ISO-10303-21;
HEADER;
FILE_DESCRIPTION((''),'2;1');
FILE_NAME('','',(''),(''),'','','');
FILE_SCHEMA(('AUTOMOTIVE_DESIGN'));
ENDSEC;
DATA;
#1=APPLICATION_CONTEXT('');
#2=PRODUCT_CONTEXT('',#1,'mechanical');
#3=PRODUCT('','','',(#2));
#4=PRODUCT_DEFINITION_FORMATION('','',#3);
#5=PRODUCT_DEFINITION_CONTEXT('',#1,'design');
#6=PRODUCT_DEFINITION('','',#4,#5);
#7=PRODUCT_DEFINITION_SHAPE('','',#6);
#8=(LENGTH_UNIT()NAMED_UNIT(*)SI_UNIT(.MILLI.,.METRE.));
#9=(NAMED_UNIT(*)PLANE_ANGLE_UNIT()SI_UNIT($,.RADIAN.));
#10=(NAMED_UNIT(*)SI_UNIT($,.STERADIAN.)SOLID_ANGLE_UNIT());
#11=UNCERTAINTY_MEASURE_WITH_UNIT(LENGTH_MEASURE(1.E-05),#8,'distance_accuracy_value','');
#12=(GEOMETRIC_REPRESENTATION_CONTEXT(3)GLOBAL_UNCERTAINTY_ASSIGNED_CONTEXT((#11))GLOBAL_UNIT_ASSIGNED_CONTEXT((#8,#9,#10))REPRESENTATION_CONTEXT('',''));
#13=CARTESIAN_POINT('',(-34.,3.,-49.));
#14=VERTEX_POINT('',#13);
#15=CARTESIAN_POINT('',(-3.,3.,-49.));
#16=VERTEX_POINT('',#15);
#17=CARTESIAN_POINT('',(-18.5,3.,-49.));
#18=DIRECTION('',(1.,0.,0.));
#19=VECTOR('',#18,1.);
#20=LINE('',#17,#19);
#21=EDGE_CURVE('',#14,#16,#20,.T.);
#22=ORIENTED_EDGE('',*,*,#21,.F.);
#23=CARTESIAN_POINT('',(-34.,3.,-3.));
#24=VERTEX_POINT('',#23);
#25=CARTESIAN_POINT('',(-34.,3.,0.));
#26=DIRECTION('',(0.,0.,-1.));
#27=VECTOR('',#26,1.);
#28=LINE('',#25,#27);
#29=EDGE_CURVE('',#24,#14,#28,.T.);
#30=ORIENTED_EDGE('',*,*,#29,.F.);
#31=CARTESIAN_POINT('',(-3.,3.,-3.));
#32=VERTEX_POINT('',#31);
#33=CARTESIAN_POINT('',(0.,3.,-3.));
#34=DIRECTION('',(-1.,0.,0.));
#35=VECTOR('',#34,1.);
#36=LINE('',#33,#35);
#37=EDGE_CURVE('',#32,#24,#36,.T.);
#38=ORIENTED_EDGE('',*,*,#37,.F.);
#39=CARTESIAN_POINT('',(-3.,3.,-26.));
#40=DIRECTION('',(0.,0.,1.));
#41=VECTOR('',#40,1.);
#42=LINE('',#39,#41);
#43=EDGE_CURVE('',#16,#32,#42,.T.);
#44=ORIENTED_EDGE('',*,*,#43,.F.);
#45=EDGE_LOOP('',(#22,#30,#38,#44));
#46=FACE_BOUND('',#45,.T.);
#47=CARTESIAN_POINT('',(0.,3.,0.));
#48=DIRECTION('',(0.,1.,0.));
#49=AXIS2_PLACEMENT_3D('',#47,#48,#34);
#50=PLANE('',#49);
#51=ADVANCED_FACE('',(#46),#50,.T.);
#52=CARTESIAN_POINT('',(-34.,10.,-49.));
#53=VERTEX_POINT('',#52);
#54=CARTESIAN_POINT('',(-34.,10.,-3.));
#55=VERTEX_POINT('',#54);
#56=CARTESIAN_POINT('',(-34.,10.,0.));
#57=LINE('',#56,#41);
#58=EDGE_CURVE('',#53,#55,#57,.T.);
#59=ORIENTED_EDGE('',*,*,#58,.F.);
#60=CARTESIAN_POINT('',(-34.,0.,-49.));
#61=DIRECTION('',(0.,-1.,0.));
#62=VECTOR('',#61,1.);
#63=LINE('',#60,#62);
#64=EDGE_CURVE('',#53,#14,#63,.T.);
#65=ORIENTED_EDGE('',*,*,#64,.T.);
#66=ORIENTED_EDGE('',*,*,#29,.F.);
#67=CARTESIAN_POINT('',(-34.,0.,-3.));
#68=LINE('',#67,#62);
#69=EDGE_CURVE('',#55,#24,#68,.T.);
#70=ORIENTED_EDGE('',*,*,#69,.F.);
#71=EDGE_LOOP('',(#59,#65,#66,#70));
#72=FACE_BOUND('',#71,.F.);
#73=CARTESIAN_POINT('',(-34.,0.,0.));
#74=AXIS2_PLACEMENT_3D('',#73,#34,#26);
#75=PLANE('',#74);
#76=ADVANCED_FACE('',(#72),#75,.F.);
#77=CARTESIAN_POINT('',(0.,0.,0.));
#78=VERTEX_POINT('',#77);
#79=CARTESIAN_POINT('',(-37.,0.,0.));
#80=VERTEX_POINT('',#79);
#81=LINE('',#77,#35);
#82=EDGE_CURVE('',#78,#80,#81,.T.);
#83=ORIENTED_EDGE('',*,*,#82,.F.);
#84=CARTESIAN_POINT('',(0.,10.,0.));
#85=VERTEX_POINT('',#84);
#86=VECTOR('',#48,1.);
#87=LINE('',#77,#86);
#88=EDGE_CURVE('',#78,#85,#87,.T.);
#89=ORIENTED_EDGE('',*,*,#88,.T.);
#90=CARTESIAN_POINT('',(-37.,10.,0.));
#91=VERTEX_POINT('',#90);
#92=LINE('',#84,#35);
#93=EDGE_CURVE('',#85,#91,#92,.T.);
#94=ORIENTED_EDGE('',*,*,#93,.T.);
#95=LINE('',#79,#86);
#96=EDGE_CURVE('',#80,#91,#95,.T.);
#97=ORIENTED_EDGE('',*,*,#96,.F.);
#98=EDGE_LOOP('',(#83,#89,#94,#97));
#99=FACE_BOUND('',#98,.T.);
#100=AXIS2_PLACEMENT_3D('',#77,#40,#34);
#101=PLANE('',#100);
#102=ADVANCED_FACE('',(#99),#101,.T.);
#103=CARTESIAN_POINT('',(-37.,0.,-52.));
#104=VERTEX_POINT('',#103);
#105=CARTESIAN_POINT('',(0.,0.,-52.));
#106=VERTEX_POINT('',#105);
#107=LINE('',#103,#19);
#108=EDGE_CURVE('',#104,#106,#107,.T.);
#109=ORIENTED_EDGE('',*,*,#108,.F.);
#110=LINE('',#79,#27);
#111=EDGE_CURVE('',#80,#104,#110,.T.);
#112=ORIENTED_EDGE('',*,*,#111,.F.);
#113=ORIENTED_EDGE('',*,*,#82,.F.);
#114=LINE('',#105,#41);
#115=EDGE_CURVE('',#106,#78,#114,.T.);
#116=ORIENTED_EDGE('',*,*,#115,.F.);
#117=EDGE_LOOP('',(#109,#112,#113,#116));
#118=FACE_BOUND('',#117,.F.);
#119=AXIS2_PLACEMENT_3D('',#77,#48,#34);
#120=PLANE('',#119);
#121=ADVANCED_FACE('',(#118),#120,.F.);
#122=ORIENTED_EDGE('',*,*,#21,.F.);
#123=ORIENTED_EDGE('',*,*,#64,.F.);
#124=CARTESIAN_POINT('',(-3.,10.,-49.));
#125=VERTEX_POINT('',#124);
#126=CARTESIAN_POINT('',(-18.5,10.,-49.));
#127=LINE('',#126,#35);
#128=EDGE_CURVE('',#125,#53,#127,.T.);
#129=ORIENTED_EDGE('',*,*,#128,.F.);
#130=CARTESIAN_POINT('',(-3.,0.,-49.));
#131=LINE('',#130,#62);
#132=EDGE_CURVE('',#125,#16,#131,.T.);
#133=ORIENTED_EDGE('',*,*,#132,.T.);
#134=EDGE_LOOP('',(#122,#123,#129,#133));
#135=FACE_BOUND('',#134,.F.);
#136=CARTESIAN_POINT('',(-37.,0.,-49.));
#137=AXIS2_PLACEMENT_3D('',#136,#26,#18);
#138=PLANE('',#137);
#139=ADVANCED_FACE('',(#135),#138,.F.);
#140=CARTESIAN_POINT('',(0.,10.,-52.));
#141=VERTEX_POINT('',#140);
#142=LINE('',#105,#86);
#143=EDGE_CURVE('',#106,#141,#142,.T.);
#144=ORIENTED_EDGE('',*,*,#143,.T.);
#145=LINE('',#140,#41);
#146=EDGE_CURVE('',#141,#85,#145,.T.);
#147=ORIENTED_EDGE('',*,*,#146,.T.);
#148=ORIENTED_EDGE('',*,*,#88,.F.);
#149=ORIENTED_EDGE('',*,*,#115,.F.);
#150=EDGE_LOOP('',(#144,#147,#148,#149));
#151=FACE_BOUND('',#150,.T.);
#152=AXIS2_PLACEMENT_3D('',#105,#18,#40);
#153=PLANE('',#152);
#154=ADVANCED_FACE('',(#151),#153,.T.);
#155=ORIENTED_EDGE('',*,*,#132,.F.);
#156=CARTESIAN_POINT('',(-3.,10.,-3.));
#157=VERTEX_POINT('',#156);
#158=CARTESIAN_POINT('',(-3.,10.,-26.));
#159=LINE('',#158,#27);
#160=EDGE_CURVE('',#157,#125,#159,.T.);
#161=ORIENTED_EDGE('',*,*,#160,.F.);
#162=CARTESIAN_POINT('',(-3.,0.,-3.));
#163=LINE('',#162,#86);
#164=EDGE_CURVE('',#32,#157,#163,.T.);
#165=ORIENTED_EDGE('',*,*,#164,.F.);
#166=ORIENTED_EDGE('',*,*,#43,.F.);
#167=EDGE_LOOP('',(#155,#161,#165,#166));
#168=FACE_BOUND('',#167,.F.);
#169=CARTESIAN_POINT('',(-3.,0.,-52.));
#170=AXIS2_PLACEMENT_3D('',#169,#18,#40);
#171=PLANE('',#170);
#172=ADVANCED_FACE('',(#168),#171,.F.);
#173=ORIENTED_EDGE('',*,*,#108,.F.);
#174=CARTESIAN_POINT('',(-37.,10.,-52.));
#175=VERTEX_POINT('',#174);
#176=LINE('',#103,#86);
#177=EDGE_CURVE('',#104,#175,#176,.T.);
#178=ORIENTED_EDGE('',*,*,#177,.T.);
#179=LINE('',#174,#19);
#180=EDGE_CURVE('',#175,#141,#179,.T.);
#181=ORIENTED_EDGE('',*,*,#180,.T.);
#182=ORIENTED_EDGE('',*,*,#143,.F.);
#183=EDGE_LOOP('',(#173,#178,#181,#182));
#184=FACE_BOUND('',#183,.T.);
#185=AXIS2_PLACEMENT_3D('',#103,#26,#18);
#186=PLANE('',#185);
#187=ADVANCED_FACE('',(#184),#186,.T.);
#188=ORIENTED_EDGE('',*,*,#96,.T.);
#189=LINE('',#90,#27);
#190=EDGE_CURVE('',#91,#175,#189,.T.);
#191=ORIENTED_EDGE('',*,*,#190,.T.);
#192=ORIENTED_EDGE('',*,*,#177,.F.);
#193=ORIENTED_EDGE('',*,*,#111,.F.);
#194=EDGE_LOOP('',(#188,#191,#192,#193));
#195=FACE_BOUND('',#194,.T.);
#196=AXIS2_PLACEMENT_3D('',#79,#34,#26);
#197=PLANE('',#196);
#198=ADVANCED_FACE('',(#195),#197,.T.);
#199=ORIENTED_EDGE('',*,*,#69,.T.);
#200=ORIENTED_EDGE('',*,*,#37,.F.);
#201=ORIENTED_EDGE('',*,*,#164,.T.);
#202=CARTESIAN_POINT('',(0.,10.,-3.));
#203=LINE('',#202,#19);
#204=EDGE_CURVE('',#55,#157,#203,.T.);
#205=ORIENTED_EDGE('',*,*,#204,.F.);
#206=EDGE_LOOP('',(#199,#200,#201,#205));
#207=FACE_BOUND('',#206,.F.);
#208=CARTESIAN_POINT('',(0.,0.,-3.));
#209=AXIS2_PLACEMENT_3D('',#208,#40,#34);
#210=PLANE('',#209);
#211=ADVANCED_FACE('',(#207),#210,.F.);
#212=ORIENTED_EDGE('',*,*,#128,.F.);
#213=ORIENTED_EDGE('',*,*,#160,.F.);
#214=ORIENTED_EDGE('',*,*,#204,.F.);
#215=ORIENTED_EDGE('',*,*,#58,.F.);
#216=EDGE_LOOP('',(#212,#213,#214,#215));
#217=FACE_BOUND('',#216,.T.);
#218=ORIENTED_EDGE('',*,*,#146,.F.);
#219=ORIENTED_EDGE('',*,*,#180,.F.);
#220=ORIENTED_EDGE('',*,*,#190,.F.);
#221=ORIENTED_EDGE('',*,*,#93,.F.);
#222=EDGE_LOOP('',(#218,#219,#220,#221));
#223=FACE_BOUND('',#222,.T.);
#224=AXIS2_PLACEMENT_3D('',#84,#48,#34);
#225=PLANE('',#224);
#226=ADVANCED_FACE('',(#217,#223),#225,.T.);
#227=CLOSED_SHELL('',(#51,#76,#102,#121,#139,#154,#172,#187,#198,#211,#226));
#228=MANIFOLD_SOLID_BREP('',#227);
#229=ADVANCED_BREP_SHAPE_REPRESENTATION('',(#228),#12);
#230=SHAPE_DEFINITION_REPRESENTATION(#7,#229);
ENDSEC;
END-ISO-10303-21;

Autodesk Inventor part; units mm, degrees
ref_plane "YZ Plane" through (0, 0, 0) normal (1, 0, 0) x (0, 1, 0)
ref_plane "XZ Plane" through (0, 0, 0) normal (0, 1, 0) x (-1, 0, 0)
ref_plane "XY Plane" through (0, 0, 0) normal (0, 0, 1) x (1, 0, 0)
sketch "スケッチ1" plane through (0, 0, 0) normal (0, 1, 0) x (-1, 0, 0)
  line L0 (0, 0) -> (37, 0)
  line L1 (37, 0) -> (37, -52)
  line L2 (37, -52) -> (0, -52)
  line L3 (0, -52) -> (0, 0)
  dimension "d0" = 52
  dimension "d1" = 37
extrude "押し出し1" add sketch "スケッチ1" along normal blind 10
shell "シェル2" thickness 3 removed faces 1 at (-12.3333, 10, -17.3333)
properties part number "H8"
